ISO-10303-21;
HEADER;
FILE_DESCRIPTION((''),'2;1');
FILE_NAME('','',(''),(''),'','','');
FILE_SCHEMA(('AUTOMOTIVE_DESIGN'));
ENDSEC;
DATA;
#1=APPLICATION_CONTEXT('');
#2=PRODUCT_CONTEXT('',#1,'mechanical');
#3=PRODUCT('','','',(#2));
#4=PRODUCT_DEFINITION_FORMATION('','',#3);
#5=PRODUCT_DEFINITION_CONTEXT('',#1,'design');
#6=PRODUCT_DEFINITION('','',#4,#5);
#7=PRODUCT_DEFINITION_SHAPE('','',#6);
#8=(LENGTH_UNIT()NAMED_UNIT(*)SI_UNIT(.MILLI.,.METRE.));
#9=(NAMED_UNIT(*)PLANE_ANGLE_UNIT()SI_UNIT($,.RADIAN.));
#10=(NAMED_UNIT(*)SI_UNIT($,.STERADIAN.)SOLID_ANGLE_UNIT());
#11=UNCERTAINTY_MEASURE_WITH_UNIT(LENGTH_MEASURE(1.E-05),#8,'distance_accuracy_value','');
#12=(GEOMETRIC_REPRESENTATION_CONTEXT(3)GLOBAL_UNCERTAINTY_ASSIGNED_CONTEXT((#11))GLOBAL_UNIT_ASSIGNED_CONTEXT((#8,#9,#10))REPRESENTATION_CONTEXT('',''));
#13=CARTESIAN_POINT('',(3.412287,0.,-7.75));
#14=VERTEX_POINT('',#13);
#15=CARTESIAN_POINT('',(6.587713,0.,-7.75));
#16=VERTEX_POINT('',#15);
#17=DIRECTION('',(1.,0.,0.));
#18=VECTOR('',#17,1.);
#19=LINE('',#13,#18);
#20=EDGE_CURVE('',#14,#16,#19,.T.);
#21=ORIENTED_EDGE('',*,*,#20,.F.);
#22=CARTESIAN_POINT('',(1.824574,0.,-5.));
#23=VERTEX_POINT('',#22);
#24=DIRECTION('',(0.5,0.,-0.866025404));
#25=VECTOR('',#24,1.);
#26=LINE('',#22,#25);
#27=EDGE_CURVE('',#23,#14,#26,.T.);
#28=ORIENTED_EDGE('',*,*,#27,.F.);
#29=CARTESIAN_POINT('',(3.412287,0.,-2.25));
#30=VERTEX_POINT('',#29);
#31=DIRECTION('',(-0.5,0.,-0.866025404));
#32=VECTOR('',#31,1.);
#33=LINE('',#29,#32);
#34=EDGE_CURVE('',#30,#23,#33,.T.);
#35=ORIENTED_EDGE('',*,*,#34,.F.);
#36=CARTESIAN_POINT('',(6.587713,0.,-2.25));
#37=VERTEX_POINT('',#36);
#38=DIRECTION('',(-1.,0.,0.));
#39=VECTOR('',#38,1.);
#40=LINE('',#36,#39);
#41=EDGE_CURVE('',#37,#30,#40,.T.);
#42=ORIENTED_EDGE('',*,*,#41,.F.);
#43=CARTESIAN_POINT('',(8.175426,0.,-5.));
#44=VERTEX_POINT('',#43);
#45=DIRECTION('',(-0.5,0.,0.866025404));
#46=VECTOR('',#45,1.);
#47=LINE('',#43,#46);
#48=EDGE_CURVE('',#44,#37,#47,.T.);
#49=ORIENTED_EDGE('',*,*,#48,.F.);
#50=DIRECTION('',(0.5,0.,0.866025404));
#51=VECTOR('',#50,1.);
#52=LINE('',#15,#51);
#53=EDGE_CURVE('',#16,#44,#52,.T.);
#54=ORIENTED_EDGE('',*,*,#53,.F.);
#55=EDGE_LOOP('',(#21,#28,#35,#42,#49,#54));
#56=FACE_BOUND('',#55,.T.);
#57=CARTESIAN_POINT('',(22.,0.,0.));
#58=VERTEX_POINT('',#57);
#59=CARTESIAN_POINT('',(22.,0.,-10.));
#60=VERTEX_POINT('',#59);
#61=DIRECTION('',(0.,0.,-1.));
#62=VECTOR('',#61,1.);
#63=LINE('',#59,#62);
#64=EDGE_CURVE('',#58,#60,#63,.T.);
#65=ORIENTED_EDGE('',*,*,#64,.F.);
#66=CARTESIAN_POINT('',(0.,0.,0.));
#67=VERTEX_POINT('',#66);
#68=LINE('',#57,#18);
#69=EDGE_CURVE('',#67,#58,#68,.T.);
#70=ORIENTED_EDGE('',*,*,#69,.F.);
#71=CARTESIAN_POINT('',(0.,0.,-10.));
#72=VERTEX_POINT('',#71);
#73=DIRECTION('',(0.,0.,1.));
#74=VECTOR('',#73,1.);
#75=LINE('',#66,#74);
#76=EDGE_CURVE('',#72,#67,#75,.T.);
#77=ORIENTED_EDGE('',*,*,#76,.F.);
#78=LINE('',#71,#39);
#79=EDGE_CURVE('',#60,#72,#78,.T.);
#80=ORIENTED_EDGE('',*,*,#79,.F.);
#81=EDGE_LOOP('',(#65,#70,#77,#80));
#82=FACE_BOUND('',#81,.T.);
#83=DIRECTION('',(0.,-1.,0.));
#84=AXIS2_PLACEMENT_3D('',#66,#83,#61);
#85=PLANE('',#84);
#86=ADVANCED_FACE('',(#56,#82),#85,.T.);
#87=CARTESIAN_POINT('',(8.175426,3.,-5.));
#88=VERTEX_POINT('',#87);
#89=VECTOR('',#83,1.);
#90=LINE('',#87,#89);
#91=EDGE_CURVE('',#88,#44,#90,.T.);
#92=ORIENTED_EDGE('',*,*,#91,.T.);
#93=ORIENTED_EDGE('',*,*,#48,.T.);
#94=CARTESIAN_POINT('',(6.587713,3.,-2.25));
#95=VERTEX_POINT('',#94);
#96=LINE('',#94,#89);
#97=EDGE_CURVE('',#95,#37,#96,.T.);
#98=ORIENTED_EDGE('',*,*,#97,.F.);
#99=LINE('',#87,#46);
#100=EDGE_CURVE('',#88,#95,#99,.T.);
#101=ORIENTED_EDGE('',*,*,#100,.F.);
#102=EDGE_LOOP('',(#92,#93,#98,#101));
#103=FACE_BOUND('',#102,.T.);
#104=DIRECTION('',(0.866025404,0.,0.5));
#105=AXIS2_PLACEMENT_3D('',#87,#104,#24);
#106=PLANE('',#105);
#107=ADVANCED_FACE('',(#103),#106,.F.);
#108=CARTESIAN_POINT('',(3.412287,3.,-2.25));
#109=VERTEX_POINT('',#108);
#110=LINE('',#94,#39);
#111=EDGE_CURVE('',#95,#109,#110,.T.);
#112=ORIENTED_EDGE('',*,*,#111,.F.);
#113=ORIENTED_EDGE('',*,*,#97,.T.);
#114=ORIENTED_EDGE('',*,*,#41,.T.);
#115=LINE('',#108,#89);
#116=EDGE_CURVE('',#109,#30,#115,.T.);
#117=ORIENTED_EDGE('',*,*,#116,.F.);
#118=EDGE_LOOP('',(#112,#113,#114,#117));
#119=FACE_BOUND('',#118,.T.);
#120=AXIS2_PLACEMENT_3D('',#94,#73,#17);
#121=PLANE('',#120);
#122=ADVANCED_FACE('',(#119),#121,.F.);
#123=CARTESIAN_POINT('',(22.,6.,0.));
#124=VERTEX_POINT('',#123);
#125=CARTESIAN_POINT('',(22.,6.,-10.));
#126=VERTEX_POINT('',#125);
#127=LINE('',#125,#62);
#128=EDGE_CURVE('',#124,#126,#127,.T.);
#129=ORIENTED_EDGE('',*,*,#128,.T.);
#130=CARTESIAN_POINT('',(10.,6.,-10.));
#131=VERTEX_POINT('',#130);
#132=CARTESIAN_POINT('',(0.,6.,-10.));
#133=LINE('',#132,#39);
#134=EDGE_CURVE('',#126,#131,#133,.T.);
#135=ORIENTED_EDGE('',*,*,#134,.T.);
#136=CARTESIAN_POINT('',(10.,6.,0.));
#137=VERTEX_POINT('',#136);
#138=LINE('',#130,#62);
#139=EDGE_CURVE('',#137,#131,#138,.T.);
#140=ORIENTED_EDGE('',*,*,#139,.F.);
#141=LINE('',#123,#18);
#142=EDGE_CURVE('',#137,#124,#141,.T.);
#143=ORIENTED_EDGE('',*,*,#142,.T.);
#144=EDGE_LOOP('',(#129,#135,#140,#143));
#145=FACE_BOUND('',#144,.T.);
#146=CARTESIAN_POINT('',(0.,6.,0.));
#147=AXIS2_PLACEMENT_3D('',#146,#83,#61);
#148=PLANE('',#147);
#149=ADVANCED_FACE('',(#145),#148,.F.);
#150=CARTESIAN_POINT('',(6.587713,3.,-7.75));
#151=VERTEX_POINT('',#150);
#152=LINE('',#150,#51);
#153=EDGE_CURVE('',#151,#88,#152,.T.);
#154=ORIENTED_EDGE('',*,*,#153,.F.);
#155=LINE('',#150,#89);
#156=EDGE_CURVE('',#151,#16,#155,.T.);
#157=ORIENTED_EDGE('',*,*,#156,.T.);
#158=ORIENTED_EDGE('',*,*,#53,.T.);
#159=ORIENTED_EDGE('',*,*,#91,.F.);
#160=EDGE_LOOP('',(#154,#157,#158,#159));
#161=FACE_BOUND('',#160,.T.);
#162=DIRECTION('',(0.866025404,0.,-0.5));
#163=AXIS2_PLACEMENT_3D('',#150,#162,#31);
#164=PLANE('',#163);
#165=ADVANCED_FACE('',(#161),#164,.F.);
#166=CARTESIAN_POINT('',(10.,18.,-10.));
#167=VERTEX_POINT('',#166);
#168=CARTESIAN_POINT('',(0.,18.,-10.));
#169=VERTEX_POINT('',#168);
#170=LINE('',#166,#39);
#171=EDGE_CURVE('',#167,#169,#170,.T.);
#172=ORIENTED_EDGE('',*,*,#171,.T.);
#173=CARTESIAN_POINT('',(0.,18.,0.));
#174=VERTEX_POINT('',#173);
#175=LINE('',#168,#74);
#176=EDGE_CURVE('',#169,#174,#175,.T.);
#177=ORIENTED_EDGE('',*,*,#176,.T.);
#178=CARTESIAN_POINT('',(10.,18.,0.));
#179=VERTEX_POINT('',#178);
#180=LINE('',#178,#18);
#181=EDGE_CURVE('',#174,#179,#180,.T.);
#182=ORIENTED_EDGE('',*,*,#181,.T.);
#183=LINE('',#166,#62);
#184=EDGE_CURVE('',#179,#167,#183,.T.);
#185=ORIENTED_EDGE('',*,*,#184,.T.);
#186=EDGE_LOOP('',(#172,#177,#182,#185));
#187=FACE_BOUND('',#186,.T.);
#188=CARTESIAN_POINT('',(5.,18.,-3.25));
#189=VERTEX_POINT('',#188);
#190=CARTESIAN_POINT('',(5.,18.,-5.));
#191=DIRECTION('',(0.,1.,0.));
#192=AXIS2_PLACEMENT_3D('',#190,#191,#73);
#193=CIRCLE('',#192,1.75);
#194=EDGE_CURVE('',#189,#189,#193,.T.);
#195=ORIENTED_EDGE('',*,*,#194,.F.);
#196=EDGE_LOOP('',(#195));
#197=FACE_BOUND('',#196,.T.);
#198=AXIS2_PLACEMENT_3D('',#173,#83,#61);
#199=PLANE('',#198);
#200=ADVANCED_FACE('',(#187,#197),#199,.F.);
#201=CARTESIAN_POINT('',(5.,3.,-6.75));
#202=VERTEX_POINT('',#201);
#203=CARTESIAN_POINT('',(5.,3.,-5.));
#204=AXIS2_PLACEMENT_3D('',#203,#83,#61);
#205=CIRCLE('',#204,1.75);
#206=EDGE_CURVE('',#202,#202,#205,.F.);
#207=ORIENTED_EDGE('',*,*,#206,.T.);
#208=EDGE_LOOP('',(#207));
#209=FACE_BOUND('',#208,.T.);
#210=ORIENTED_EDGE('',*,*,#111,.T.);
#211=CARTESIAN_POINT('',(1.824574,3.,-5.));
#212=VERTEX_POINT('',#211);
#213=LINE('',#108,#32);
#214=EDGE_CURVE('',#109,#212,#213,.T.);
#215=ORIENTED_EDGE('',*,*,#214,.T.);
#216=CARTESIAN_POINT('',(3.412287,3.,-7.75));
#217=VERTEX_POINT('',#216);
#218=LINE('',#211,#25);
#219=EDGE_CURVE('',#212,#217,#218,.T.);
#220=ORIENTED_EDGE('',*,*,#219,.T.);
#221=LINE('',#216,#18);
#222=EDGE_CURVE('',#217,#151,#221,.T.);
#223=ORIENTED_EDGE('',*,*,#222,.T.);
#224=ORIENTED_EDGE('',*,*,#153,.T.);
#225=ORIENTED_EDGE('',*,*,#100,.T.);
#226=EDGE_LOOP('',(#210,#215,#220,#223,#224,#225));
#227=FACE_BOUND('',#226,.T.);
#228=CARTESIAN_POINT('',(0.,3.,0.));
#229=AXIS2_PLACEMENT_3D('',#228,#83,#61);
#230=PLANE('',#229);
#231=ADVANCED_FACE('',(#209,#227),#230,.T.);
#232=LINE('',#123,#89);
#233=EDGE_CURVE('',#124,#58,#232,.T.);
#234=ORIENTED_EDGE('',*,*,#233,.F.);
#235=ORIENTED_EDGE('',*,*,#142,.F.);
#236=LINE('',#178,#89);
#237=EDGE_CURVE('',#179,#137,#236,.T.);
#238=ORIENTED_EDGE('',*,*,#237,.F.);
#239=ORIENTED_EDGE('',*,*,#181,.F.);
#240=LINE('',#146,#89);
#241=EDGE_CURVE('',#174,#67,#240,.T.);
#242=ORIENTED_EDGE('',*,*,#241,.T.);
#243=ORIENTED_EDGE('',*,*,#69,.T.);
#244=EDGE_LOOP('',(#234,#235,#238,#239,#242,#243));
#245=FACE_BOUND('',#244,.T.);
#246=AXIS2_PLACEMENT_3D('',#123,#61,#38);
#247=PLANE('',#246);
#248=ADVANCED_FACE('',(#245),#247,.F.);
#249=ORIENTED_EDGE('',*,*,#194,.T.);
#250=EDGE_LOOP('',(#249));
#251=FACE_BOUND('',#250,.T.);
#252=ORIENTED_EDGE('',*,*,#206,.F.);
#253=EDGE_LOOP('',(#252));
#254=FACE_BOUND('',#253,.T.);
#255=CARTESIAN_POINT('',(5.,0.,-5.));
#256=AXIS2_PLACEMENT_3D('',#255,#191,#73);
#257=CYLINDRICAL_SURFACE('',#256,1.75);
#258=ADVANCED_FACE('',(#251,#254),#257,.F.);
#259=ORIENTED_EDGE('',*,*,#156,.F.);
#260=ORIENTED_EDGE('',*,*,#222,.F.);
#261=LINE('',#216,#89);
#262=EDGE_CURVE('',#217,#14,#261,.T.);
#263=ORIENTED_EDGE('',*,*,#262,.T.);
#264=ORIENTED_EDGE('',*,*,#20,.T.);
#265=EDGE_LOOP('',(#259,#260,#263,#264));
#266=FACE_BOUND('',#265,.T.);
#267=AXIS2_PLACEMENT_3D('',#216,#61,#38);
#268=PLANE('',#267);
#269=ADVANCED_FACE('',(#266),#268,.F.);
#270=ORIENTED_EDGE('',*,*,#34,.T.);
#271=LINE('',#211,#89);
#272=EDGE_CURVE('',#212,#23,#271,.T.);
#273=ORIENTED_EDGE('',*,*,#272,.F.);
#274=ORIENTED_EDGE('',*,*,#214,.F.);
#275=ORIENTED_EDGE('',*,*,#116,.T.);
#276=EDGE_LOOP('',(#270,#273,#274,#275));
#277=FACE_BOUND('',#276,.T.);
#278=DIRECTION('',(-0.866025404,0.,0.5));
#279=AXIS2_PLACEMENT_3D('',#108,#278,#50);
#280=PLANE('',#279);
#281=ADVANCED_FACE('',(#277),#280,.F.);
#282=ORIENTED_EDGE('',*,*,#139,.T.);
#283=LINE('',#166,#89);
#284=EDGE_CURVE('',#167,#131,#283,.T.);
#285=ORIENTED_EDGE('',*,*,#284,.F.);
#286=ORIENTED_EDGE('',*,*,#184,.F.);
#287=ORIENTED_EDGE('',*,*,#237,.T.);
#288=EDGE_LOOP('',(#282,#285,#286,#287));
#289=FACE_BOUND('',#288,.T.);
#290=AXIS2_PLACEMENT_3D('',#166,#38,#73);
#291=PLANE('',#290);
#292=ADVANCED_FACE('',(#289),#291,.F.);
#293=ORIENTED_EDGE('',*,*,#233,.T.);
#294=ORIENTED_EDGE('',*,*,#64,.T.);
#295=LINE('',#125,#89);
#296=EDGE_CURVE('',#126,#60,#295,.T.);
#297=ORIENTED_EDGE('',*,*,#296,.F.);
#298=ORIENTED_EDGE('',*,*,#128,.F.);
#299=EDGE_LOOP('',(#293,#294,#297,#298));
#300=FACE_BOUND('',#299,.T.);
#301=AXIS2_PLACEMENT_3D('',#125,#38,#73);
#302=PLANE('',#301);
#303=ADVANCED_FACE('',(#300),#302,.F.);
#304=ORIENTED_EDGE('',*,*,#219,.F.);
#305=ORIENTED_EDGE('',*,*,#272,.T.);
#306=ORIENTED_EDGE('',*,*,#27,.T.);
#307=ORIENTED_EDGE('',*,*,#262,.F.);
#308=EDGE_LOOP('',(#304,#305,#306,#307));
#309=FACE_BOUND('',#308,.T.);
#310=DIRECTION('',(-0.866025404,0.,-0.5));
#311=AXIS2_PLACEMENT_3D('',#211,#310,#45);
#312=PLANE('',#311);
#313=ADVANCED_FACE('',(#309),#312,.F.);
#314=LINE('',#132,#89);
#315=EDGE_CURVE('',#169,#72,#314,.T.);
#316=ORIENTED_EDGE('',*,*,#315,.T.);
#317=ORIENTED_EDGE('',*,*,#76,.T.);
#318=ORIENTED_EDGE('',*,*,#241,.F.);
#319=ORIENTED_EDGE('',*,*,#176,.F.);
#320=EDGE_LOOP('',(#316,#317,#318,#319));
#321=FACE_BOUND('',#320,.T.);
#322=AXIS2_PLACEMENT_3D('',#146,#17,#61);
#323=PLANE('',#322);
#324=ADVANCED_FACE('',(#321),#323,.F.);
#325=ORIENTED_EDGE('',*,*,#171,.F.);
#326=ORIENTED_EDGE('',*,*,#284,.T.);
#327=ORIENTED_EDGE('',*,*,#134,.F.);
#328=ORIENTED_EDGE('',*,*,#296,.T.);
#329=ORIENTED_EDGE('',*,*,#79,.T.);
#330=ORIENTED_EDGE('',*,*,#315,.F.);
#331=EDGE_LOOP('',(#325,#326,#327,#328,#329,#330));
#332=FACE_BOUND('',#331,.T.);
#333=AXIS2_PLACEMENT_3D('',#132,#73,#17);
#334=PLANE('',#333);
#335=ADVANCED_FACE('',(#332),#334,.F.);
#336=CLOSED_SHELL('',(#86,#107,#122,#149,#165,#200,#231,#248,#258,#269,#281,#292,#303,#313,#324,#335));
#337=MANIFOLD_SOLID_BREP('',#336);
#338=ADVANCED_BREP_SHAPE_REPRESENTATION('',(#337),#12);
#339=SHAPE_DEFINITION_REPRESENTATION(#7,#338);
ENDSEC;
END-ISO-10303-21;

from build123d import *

# Parameters (mm, degrees)
SKETCH1_W           = 22
SKETCH1_H           = 10
BOSS_EXTRUDE1_DEPTH = 6
SKETCH2_W           = 10
SKETCH2_H           = 10
BOSS_EXTRUDE2_DEPTH = 12
SKETCH3_R           = 1.75
CUT_EXTRUDE1_DEPTH  = 31.133038347
CUT_EXTRUDE2_DEPTH  = 3


with BuildPart() as part:
    # Sketch1 → Boss-Extrude1 (new body)
    with BuildSketch(Plane(origin=(0, 0, 0), x_dir=(1, 0, 0), z_dir=(0, 1, 0))):
        with Locations((11, 5)):
            Rectangle(SKETCH1_W, SKETCH1_H)
    extrude(amount=BOSS_EXTRUDE1_DEPTH)

    # Sketch2 → Boss-Extrude2 (add)
    with BuildSketch(Plane(origin=(0, 6, 0), x_dir=(1, 0, 0), z_dir=(0, 1, 0))):
        with Locations((5, 5)):
            Rectangle(SKETCH2_W, SKETCH2_H)
    extrude(amount=BOSS_EXTRUDE2_DEPTH)

    # Sketch3 → Cut-Extrude1 (cut, through all)
    with BuildSketch(Plane(origin=(0, 18, 0), x_dir=(1, 0, 0), z_dir=(0, 1, 0))):
        with Locations(Location((5, 5, 0), (0, 0, 270))):
            Circle(SKETCH3_R)
    extrude(amount=-CUT_EXTRUDE1_DEPTH, mode=Mode.SUBTRACT)

    # Sketch4 → Cut-Extrude2 (cut)
    with BuildSketch(Plane.XZ):
        Polygon((1.824573519, -5), (3.41228676, -7.75), (6.58771324, -7.75), (8.175426481, -5), (6.58771324, -2.25), (3.41228676, -2.25), align=None)
    extrude(amount=-CUT_EXTRUDE2_DEPTH, mode=Mode.SUBTRACT)


solid = part.part
